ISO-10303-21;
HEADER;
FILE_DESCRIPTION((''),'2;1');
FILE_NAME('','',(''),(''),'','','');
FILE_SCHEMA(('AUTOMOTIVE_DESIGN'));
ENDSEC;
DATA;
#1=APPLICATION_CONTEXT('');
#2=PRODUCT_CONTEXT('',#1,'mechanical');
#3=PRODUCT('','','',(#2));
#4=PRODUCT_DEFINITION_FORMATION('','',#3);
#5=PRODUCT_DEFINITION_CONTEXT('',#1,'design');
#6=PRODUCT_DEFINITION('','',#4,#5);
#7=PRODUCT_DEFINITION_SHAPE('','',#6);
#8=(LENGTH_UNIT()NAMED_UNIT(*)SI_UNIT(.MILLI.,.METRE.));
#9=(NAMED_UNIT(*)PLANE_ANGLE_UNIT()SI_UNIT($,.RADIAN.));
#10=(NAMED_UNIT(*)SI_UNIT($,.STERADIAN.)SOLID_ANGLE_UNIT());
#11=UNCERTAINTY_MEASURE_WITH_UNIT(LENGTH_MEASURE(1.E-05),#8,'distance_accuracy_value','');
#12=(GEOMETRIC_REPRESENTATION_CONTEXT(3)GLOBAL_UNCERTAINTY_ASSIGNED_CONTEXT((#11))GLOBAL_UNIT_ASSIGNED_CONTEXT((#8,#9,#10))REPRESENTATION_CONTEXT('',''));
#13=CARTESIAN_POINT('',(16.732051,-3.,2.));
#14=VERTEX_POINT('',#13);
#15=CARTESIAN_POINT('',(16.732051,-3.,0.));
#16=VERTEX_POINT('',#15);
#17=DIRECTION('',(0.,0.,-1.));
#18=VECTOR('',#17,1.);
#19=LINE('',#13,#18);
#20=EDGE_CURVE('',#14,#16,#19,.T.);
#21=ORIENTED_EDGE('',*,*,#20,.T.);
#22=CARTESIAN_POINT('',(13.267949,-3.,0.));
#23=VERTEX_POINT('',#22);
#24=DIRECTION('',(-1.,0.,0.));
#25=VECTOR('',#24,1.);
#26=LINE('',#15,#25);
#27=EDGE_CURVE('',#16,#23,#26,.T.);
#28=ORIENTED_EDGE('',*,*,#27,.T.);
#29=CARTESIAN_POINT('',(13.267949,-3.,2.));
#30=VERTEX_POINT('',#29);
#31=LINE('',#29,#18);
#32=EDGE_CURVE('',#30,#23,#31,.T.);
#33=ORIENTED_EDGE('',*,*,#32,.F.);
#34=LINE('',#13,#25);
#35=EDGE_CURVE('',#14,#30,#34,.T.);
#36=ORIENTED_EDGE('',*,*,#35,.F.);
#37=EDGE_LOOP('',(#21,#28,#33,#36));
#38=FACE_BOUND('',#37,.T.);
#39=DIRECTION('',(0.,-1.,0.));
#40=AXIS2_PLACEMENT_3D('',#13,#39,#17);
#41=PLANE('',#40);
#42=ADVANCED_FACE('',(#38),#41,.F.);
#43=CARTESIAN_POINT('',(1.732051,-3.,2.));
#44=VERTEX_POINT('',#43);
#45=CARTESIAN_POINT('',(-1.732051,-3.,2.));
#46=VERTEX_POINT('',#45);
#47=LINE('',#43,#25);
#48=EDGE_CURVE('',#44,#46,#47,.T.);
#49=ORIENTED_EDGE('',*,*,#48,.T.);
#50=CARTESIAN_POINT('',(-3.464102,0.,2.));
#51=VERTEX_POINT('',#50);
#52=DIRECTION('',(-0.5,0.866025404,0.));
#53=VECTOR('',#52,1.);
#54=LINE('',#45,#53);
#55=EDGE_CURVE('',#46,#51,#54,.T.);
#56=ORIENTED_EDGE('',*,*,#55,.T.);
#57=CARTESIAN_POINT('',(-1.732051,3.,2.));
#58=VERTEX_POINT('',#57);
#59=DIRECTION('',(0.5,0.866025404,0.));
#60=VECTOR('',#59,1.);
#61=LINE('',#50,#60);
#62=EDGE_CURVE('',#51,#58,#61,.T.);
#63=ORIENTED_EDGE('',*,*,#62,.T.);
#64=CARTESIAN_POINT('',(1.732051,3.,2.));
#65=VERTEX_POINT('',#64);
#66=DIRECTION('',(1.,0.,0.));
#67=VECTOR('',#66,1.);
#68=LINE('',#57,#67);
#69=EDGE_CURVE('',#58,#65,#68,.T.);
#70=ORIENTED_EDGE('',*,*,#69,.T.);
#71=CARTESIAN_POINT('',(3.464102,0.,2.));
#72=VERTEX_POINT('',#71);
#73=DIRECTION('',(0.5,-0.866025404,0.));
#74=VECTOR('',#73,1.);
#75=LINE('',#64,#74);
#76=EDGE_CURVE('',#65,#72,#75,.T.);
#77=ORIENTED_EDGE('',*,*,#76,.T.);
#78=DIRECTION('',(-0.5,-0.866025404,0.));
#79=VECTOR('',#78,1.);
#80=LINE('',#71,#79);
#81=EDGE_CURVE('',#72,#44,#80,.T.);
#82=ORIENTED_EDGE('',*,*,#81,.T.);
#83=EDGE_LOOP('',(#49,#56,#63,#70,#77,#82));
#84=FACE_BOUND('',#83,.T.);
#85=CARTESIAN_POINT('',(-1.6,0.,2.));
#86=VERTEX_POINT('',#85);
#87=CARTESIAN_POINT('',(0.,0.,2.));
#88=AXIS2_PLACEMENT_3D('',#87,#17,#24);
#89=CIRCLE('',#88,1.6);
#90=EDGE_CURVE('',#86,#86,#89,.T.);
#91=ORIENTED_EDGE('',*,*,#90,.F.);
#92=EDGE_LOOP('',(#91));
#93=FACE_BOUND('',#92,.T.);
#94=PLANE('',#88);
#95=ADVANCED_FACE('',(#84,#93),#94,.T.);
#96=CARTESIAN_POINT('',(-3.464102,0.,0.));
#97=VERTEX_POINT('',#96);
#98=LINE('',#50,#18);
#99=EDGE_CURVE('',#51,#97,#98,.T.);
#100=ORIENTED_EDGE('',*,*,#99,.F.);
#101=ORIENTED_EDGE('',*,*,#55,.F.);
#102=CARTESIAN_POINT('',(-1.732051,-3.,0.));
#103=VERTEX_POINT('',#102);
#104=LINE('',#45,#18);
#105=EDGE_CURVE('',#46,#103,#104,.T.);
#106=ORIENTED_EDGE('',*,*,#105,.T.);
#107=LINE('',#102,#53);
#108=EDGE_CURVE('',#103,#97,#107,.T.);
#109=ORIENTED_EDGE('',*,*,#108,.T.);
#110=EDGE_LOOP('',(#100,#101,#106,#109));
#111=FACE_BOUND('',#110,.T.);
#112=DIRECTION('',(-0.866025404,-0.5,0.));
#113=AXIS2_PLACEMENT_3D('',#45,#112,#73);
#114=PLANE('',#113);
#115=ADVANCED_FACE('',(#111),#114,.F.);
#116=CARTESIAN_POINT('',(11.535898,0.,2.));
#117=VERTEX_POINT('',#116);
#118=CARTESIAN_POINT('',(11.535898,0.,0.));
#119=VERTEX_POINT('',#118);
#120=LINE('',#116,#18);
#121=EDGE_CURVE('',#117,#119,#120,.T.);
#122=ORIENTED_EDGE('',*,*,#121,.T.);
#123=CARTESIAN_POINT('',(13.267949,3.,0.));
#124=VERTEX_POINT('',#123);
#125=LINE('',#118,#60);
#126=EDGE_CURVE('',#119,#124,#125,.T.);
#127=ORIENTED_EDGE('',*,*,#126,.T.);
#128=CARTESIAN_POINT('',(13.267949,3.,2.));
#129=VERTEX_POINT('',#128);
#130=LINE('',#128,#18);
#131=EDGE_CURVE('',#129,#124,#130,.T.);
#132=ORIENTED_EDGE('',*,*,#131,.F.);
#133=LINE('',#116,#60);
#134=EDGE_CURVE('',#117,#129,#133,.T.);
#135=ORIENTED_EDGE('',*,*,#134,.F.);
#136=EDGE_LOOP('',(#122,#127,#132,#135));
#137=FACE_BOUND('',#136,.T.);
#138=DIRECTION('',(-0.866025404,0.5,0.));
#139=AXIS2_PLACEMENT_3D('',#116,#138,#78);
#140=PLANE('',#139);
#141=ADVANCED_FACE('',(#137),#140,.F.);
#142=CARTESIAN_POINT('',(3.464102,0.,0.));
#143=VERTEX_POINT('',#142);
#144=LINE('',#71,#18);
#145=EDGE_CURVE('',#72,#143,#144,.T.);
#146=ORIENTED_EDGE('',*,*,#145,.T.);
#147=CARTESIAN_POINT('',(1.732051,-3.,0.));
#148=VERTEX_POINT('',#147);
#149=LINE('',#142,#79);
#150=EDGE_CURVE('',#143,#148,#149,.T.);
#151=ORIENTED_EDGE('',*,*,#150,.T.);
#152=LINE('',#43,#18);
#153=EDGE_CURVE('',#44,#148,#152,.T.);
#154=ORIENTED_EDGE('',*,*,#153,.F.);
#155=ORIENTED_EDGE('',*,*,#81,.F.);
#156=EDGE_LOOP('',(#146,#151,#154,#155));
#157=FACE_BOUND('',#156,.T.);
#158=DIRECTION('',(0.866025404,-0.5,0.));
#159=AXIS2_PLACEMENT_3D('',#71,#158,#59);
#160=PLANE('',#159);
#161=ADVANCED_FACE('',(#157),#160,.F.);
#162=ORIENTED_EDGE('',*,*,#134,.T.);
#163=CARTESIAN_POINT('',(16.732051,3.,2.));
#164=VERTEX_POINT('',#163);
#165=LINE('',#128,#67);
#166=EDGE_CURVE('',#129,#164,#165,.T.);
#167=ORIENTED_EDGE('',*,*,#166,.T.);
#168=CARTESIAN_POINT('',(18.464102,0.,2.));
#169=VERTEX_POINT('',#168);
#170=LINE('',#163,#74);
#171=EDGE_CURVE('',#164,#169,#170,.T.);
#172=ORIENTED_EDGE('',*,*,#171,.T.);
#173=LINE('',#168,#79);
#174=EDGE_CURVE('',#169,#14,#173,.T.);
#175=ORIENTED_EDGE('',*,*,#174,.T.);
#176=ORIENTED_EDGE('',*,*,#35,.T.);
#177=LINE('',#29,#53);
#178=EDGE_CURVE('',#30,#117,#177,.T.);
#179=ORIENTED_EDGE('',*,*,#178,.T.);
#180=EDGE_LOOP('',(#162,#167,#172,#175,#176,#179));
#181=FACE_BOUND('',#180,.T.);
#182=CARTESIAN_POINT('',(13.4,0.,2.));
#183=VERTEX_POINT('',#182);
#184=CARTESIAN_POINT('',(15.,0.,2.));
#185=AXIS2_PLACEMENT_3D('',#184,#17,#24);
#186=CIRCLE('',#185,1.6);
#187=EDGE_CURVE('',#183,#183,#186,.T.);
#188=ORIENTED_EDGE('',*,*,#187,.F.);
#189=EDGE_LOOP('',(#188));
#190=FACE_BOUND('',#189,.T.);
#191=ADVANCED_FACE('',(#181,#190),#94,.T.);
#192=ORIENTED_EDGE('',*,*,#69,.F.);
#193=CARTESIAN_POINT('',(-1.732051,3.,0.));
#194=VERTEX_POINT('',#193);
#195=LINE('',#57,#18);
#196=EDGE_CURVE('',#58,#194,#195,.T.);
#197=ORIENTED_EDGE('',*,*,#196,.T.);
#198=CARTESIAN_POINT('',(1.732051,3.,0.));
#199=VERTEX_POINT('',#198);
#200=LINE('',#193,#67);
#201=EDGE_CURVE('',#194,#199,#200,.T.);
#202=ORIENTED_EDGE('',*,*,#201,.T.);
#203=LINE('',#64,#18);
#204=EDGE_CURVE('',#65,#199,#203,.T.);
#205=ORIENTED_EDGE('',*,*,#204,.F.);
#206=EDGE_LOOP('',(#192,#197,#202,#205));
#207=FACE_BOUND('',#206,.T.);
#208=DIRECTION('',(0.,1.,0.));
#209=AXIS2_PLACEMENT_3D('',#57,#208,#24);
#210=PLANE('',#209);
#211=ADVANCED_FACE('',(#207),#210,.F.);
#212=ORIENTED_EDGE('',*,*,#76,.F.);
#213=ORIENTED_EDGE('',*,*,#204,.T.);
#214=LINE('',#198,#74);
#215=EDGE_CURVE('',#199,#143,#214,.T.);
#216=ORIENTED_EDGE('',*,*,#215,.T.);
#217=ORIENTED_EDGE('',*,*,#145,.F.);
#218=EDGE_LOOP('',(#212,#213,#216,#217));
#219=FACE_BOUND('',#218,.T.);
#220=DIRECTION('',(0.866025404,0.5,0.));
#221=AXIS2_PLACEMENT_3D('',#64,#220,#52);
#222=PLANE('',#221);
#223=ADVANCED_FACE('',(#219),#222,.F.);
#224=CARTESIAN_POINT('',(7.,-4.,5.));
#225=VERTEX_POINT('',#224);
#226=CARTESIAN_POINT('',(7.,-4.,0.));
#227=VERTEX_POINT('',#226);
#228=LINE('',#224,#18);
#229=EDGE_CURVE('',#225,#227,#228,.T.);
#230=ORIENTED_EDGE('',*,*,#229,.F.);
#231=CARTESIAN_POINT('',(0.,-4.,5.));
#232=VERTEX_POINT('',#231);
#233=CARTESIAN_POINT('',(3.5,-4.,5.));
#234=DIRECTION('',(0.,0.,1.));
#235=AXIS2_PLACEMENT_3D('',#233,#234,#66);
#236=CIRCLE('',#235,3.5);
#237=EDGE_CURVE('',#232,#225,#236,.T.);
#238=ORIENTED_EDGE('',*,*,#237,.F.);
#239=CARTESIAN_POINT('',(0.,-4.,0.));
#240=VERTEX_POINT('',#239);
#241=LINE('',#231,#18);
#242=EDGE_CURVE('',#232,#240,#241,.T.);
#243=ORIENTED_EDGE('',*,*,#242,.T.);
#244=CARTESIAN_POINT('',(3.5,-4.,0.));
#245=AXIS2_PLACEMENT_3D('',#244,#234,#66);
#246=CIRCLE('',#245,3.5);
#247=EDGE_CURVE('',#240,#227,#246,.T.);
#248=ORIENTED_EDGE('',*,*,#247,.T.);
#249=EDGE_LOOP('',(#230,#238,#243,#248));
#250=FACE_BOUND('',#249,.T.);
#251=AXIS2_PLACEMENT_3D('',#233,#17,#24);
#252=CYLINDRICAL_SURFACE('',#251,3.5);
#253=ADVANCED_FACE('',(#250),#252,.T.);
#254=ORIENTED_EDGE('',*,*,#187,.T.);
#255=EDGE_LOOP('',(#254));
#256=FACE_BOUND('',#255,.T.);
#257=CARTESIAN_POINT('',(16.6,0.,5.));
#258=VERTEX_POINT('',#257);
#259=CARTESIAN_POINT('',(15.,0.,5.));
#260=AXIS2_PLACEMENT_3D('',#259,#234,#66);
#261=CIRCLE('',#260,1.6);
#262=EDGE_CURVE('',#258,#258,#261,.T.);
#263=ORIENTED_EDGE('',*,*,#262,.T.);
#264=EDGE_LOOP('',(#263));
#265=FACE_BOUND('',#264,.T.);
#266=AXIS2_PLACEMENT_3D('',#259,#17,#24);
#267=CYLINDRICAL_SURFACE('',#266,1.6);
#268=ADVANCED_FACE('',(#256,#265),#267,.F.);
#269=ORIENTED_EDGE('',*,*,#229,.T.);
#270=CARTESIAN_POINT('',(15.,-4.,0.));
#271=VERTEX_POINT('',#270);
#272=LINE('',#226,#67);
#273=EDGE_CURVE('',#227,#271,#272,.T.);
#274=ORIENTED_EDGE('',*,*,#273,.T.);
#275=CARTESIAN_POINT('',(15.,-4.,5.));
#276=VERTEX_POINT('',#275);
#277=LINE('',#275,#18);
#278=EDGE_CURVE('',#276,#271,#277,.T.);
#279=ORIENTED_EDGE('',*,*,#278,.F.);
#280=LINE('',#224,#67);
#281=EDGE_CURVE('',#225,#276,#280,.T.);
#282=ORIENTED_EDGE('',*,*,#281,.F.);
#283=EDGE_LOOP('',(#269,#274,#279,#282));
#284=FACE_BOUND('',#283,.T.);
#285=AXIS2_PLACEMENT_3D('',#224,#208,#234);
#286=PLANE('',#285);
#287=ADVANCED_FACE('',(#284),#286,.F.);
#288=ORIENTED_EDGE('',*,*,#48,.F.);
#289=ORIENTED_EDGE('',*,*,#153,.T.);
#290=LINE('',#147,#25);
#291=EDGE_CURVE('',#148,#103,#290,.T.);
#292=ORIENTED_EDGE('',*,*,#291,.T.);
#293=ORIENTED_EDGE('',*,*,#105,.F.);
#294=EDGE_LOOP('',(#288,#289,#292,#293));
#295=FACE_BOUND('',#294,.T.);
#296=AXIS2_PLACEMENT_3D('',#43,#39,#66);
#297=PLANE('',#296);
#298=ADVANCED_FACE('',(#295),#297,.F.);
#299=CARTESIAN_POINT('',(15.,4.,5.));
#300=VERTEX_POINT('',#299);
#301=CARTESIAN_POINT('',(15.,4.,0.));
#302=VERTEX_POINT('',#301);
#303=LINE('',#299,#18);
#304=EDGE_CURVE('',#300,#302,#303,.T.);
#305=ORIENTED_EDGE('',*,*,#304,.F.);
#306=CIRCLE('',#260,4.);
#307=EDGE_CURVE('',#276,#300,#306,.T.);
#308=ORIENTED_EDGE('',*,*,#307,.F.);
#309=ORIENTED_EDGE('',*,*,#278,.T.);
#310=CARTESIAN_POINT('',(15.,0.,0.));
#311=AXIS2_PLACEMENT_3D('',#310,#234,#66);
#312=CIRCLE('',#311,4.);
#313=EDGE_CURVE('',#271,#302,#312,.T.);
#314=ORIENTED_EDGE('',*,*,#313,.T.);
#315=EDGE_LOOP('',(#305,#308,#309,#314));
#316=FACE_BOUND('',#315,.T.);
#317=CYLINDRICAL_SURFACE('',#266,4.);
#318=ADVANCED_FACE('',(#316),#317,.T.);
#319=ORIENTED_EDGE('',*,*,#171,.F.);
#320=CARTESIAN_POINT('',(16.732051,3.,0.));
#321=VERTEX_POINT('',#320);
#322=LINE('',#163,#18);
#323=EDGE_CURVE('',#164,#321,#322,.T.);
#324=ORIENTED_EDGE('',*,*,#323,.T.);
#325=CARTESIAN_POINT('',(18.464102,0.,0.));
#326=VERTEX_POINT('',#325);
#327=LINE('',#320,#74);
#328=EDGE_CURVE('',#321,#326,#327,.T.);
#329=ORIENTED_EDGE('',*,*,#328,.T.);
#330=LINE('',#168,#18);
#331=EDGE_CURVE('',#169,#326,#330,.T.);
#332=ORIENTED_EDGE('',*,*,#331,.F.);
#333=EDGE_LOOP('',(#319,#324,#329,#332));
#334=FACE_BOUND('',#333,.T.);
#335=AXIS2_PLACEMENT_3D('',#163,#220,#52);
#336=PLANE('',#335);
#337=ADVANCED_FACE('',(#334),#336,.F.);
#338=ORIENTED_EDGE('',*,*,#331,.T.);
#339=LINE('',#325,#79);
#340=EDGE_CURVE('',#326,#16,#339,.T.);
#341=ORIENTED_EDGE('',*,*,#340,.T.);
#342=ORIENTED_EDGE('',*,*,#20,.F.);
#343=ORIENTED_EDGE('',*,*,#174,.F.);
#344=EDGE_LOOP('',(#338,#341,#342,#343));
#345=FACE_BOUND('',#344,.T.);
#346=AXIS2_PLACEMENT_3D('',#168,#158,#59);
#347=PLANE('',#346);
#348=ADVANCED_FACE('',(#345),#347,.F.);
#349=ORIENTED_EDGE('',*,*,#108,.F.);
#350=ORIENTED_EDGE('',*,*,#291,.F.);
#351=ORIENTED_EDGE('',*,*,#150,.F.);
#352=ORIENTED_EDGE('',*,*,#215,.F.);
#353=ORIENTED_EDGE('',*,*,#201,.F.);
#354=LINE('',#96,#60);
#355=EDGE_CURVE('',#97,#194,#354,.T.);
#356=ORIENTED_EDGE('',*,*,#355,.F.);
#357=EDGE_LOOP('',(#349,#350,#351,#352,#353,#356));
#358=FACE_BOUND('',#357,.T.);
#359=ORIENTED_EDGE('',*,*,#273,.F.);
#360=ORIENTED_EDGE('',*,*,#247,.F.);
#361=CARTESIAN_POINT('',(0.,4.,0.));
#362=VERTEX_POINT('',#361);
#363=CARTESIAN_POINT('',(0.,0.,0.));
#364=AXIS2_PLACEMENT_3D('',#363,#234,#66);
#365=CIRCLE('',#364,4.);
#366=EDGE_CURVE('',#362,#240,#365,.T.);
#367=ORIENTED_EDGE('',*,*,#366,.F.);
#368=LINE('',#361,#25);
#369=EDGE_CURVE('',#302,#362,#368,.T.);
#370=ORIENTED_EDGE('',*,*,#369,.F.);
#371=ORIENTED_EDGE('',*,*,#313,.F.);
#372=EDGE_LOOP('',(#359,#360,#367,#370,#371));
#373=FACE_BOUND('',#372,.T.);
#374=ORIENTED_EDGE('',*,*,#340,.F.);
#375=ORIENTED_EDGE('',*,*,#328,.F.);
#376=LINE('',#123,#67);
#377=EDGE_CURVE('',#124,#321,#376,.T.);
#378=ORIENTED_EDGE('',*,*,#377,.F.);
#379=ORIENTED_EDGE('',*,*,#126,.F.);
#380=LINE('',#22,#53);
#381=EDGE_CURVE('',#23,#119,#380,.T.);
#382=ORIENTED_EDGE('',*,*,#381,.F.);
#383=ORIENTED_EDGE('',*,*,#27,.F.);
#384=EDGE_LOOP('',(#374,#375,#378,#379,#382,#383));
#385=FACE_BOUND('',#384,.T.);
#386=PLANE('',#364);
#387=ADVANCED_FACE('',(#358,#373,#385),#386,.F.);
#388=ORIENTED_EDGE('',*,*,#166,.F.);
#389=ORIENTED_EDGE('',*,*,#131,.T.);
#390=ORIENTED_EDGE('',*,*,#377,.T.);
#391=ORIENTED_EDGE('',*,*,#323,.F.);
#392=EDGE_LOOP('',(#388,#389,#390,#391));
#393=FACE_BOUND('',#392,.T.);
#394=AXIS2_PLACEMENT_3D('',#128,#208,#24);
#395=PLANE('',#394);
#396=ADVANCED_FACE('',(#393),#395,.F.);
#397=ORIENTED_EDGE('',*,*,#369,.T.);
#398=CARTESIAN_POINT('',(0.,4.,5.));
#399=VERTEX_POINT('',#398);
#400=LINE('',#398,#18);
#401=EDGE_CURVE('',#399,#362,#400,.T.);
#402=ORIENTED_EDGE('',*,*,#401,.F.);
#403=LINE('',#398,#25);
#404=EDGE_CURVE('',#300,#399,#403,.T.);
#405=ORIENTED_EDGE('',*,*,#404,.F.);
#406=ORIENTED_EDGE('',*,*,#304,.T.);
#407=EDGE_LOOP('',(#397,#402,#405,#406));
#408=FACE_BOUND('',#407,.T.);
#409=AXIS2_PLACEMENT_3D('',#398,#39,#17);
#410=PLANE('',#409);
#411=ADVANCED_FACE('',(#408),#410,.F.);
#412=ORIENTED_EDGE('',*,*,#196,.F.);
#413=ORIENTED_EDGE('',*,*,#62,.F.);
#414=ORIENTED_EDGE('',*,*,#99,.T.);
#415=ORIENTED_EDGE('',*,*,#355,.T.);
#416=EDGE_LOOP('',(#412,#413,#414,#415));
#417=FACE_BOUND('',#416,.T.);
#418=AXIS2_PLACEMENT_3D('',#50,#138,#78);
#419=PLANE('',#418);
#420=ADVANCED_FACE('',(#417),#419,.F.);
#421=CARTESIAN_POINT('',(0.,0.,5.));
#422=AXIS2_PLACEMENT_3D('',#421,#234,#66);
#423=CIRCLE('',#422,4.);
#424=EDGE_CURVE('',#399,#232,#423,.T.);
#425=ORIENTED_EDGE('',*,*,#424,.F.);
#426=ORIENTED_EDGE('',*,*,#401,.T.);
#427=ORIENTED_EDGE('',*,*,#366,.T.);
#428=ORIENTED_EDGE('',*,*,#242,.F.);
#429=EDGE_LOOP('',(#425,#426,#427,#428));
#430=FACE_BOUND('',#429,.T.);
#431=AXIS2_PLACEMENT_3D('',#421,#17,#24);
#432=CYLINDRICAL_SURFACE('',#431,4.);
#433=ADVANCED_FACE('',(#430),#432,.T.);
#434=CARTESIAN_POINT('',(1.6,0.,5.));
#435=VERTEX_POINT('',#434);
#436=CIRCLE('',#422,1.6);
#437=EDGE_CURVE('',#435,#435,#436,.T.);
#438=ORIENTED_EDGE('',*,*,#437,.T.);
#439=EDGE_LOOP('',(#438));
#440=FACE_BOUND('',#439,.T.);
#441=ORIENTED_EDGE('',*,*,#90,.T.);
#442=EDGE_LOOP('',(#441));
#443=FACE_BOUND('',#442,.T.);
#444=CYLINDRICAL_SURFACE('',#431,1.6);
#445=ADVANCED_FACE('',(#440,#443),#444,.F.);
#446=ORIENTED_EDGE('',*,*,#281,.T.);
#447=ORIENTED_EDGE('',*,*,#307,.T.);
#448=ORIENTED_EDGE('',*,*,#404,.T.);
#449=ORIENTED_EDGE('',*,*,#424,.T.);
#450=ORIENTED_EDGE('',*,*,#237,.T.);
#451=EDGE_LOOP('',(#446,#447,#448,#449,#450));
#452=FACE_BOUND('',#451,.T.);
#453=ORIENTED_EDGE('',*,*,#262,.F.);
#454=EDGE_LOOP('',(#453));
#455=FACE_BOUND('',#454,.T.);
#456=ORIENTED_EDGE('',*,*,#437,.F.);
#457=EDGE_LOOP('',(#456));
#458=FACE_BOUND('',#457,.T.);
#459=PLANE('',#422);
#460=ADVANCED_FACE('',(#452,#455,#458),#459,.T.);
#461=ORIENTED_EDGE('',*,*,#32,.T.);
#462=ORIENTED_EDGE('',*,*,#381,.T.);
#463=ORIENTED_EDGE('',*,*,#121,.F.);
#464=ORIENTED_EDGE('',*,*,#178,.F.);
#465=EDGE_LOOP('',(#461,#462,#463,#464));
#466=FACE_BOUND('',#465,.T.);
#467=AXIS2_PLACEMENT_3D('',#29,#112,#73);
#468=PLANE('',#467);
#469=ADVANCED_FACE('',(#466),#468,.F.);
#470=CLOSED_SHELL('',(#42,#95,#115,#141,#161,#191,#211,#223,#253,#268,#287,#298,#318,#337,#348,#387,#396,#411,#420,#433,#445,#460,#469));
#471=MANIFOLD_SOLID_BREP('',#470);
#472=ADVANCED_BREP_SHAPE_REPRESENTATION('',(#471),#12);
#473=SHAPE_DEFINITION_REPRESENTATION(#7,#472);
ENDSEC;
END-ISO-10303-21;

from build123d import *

# Parameters (mm, degrees)
SKETCH1_R           = 1.6
BOSS_EXTRUDE1_DEPTH = 5
CUT_EXTRUDE1_DEPTH  = 2


with BuildPart() as part:
    # Sketch1 → Boss-Extrude1 (new body)
    with BuildSketch(Plane.XY):
        with BuildLine():
            Line((0, 4), (15, 4))
            ThreePointArc((15, 4), (19, 0), (15, -4))
            Line((15, -4), (7, -4))
            ThreePointArc((7, -4), (3.5, -7.5), (0, -4))
            ThreePointArc((0, -4), (-4, 0), (0, 4))
        make_face()
        Circle(SKETCH1_R, mode=Mode.SUBTRACT)
        with Locations((15, 0)):
            Circle(SKETCH1_R, mode=Mode.SUBTRACT)
    extrude(amount=BOSS_EXTRUDE1_DEPTH)

    # Sketch2 → Cut-Extrude1 (cut)
    with BuildSketch(Plane(origin=(0, 0, 0), x_dir=(-1, 0, 0), z_dir=(0, 0, -1))):
        Polygon((3.464101615, 0), (1.732050808, 3), (-1.732050808, 3), (-3.464101615, 0), (-1.732050808, -3), (1.732050808, -3), align=None)
        Polygon((-11.535898385, 0), (-13.267949192, 3), (-16.732050808, 3), (-18.464101615, 0), (-16.732050808, -3), (-13.267949192, -3), align=None)
    extrude(amount=-CUT_EXTRUDE1_DEPTH, mode=Mode.SUBTRACT)


solid = part.part
